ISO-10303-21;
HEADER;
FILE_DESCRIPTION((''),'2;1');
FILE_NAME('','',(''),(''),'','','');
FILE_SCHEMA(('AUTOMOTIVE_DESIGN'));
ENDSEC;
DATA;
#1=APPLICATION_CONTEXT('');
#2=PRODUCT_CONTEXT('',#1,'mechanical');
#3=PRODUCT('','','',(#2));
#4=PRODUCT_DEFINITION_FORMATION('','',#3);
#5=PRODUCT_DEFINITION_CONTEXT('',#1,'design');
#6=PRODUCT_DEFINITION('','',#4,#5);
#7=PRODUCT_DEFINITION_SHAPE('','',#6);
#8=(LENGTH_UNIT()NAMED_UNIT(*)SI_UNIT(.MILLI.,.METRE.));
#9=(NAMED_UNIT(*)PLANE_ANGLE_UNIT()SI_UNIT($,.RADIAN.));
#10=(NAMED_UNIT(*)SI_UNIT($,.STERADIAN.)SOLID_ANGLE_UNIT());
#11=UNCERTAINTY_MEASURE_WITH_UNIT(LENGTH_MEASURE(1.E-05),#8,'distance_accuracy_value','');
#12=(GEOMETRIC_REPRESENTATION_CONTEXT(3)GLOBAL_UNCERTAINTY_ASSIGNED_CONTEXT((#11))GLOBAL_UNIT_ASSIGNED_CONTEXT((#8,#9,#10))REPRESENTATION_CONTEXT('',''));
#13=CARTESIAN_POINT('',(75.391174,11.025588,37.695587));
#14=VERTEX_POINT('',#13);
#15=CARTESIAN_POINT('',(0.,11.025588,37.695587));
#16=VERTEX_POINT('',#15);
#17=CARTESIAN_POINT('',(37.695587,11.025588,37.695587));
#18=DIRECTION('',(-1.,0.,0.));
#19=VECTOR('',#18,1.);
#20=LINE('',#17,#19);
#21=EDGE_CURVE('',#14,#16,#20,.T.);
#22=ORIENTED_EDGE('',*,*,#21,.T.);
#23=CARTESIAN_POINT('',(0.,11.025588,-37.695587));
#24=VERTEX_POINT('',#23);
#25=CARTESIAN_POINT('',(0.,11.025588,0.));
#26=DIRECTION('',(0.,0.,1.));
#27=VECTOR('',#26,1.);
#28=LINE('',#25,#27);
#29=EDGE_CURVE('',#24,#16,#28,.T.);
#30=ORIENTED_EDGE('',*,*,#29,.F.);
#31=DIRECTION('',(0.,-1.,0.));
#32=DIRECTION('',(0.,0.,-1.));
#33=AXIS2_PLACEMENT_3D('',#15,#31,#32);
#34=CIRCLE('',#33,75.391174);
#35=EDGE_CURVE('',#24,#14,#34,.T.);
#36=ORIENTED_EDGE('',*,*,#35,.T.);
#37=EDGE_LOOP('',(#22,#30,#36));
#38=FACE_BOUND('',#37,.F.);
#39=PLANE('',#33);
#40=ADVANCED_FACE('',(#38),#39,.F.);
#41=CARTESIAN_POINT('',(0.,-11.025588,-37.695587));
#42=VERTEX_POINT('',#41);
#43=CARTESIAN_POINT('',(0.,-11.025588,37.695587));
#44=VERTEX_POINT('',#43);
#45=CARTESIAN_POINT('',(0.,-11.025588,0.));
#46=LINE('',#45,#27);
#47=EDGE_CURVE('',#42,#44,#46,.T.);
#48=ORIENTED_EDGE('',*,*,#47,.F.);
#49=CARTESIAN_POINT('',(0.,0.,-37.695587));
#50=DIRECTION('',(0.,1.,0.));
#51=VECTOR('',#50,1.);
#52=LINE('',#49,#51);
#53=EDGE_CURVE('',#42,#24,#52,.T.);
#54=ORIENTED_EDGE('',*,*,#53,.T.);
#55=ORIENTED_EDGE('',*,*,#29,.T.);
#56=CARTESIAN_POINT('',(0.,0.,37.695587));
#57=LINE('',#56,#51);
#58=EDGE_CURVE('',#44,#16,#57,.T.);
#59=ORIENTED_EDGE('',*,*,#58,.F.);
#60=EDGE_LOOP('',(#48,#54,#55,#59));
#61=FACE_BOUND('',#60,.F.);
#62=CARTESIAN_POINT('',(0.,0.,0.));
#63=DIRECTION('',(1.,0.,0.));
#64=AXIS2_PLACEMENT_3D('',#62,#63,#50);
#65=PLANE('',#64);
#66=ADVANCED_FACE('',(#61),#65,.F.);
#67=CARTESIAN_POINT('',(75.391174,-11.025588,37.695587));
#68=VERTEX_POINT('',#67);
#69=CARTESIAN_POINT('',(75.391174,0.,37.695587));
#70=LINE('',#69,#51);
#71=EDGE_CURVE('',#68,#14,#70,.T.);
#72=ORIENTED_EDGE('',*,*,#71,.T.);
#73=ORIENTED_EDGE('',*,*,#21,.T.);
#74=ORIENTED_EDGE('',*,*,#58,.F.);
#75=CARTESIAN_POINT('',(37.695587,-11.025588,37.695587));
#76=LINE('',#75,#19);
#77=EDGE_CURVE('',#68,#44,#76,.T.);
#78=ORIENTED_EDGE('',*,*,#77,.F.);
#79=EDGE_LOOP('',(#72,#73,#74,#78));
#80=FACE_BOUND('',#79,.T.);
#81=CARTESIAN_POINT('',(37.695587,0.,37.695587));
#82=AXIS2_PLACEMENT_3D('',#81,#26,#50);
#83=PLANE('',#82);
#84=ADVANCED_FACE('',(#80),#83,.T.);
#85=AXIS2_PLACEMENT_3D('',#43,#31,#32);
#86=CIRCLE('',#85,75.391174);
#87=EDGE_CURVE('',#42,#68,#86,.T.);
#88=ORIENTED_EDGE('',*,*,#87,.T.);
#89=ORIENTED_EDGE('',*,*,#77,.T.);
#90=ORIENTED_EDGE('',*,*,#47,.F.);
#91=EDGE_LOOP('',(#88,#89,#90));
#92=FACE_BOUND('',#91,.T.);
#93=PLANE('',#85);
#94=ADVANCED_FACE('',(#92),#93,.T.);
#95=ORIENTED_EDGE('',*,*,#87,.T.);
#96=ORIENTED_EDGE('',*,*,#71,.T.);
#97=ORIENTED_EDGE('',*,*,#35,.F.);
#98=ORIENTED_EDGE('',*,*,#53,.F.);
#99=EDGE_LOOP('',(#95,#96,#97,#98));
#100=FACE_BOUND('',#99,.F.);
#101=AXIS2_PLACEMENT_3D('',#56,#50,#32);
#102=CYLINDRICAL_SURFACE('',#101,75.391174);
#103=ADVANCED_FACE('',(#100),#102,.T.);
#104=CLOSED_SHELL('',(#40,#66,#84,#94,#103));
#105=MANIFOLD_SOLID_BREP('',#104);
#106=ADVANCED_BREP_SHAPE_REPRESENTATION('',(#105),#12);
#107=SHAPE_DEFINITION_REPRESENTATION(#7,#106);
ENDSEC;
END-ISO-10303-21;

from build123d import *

# Parameters (mm, degrees)
F0_W     = 22.051176
F0_H     = 75.391174
F1_ANGLE = 90


with BuildPart() as f1:
    # F0 (on Right) → F1 (revolve)
    with BuildSketch(Plane.YZ):
        Rectangle(F0_W, F0_H)
    revolve(axis=Axis((0, 0, 37.695587), (0, -1, 0)), revolution_arc=F1_ANGLE)


solid = f1.part
